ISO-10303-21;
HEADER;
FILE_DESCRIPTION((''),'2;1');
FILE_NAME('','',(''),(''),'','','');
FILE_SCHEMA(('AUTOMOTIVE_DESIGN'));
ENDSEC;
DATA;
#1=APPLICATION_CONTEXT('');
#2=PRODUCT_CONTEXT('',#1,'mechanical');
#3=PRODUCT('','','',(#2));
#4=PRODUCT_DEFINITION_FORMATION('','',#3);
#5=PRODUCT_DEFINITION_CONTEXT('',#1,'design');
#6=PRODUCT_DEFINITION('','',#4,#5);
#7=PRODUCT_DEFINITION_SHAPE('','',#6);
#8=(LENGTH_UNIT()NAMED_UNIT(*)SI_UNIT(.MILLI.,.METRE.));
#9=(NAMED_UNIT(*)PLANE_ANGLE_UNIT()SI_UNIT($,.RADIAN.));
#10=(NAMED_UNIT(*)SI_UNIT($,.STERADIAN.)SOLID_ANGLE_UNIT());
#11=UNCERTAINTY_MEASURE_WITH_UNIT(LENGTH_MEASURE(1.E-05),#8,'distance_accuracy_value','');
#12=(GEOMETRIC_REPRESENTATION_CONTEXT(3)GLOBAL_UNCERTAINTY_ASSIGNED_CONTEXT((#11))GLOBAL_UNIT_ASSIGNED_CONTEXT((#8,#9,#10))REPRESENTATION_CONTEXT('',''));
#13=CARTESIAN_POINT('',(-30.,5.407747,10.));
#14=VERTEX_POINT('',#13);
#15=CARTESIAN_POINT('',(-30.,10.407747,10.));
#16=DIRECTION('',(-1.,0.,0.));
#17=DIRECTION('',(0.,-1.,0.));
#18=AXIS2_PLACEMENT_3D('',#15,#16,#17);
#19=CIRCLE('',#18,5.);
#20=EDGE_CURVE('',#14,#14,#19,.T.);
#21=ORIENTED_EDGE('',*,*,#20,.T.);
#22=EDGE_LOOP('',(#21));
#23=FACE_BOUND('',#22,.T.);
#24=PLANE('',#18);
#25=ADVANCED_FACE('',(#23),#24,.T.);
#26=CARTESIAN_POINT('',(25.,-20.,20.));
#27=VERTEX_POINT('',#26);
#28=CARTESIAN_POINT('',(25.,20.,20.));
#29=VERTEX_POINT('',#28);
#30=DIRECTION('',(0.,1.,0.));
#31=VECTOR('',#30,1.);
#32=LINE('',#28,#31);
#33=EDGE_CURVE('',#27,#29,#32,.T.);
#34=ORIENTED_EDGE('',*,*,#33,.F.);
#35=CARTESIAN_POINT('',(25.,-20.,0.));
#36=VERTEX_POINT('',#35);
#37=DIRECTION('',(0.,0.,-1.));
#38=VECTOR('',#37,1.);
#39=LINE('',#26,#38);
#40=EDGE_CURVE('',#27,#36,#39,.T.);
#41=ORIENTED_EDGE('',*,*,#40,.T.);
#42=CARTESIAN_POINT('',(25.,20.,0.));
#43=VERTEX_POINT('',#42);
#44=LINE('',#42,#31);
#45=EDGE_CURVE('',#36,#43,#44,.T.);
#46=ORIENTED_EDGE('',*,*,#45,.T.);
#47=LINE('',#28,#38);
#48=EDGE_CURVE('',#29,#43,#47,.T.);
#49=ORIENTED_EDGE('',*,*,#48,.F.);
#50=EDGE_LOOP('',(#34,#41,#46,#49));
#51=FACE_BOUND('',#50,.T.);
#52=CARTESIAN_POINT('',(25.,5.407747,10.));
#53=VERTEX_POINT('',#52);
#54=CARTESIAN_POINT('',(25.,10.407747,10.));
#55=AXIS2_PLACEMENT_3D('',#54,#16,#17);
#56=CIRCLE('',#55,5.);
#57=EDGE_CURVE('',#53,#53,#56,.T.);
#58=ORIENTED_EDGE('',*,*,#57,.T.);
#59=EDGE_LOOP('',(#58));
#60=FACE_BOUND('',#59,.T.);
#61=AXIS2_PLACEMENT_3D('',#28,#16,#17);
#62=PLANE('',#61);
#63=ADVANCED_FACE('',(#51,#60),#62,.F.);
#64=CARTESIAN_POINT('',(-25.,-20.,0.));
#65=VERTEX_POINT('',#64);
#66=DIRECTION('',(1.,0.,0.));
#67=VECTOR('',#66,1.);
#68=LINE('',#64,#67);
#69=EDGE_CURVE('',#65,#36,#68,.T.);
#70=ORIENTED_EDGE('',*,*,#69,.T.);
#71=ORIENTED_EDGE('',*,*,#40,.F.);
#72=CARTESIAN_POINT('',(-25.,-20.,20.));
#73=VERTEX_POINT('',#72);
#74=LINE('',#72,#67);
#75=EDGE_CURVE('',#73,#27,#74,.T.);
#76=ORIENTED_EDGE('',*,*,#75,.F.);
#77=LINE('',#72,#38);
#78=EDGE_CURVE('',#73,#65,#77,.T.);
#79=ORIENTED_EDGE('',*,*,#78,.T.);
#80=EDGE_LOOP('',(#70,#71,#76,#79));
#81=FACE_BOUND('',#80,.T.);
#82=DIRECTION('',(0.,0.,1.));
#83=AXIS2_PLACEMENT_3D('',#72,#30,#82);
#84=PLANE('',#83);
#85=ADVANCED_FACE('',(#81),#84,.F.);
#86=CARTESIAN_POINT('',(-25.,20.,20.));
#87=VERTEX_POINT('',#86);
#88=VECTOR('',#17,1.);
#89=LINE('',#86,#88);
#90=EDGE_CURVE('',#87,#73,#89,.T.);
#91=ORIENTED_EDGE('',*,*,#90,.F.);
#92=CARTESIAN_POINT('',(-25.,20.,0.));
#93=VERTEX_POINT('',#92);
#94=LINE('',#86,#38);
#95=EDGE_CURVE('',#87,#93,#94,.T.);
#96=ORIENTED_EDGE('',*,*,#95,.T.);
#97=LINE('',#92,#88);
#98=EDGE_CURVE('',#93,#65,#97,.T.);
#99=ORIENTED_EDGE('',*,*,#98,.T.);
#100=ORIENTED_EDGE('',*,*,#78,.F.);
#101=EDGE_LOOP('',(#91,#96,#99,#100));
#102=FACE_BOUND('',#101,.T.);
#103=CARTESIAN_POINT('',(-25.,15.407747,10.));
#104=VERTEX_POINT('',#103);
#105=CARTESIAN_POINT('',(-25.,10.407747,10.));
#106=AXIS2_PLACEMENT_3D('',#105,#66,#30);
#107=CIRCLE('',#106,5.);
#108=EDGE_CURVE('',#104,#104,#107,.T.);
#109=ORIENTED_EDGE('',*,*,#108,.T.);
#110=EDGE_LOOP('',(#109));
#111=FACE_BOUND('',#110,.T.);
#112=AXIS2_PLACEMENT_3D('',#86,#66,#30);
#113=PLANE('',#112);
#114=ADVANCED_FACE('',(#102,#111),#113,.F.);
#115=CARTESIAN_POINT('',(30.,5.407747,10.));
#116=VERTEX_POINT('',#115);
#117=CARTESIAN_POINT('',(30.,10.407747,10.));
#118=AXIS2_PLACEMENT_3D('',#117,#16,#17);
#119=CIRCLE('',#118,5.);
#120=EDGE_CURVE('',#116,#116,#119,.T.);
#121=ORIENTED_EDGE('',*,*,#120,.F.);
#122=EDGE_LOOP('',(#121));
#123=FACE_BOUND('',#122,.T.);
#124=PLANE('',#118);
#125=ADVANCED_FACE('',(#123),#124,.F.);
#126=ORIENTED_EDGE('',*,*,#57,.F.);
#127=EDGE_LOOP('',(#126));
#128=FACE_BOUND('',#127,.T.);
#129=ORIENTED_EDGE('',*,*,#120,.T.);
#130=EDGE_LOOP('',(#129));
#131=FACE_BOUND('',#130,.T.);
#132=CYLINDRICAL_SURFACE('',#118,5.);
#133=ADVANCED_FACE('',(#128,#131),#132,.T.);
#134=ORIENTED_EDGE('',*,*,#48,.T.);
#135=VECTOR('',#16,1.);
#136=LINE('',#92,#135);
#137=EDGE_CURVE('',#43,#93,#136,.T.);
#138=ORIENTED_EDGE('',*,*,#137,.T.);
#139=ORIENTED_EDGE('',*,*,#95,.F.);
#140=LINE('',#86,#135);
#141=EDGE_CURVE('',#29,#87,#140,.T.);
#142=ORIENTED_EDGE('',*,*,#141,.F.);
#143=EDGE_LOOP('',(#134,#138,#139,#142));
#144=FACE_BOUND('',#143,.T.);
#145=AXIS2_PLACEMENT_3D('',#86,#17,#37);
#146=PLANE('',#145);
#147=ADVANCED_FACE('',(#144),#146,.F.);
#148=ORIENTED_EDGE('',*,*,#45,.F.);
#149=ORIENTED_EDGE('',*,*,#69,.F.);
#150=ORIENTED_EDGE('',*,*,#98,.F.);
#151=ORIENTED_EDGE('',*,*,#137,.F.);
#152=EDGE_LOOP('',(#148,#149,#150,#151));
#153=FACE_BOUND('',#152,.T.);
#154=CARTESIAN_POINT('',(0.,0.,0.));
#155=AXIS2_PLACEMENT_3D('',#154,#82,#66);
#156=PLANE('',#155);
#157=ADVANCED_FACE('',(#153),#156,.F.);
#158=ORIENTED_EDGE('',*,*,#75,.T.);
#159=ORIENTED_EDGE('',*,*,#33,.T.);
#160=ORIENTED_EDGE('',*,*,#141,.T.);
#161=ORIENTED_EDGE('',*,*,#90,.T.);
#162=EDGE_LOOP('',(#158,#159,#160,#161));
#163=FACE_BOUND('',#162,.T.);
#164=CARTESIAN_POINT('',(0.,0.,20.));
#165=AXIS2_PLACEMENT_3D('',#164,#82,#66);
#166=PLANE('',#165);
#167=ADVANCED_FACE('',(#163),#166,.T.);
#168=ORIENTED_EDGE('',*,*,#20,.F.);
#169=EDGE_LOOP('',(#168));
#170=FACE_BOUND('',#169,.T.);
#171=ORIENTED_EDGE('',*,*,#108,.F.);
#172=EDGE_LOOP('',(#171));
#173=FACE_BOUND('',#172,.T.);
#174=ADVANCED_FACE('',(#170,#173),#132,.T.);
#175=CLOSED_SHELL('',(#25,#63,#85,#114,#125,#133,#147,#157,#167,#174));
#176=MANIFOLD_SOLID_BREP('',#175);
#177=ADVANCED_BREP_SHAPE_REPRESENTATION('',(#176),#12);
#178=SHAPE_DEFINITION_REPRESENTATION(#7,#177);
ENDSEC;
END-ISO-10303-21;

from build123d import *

# Parameters (mm, degrees)
SKETCH1_W                = 50
SKETCH1_H                = 40
BOSS_EXTRUDE1_DEPTH      = 20
SKETCH2_R                = 5
BOSS_EXTRUDE2_DEPTH      = 5
BOSS_EXTRUDE2_DEPTH_BACK = 55


with BuildPart() as part:
    # Sketch1 → Boss-Extrude1 (new body)
    with BuildSketch(Plane.XY):
        Rectangle(SKETCH1_W, SKETCH1_H)
    extrude(amount=BOSS_EXTRUDE1_DEPTH)

    # Sketch2 → Boss-Extrude2 (add, two sides)
    with BuildSketch(Plane.ZY.offset(25)) as boss_extrude2_sk:
        with Locations((10, 10.407747154)):
            Circle(SKETCH2_R)
    extrude(amount=BOSS_EXTRUDE2_DEPTH)
    extrude(boss_extrude2_sk.sketch, amount=-BOSS_EXTRUDE2_DEPTH_BACK)


solid = part.part
